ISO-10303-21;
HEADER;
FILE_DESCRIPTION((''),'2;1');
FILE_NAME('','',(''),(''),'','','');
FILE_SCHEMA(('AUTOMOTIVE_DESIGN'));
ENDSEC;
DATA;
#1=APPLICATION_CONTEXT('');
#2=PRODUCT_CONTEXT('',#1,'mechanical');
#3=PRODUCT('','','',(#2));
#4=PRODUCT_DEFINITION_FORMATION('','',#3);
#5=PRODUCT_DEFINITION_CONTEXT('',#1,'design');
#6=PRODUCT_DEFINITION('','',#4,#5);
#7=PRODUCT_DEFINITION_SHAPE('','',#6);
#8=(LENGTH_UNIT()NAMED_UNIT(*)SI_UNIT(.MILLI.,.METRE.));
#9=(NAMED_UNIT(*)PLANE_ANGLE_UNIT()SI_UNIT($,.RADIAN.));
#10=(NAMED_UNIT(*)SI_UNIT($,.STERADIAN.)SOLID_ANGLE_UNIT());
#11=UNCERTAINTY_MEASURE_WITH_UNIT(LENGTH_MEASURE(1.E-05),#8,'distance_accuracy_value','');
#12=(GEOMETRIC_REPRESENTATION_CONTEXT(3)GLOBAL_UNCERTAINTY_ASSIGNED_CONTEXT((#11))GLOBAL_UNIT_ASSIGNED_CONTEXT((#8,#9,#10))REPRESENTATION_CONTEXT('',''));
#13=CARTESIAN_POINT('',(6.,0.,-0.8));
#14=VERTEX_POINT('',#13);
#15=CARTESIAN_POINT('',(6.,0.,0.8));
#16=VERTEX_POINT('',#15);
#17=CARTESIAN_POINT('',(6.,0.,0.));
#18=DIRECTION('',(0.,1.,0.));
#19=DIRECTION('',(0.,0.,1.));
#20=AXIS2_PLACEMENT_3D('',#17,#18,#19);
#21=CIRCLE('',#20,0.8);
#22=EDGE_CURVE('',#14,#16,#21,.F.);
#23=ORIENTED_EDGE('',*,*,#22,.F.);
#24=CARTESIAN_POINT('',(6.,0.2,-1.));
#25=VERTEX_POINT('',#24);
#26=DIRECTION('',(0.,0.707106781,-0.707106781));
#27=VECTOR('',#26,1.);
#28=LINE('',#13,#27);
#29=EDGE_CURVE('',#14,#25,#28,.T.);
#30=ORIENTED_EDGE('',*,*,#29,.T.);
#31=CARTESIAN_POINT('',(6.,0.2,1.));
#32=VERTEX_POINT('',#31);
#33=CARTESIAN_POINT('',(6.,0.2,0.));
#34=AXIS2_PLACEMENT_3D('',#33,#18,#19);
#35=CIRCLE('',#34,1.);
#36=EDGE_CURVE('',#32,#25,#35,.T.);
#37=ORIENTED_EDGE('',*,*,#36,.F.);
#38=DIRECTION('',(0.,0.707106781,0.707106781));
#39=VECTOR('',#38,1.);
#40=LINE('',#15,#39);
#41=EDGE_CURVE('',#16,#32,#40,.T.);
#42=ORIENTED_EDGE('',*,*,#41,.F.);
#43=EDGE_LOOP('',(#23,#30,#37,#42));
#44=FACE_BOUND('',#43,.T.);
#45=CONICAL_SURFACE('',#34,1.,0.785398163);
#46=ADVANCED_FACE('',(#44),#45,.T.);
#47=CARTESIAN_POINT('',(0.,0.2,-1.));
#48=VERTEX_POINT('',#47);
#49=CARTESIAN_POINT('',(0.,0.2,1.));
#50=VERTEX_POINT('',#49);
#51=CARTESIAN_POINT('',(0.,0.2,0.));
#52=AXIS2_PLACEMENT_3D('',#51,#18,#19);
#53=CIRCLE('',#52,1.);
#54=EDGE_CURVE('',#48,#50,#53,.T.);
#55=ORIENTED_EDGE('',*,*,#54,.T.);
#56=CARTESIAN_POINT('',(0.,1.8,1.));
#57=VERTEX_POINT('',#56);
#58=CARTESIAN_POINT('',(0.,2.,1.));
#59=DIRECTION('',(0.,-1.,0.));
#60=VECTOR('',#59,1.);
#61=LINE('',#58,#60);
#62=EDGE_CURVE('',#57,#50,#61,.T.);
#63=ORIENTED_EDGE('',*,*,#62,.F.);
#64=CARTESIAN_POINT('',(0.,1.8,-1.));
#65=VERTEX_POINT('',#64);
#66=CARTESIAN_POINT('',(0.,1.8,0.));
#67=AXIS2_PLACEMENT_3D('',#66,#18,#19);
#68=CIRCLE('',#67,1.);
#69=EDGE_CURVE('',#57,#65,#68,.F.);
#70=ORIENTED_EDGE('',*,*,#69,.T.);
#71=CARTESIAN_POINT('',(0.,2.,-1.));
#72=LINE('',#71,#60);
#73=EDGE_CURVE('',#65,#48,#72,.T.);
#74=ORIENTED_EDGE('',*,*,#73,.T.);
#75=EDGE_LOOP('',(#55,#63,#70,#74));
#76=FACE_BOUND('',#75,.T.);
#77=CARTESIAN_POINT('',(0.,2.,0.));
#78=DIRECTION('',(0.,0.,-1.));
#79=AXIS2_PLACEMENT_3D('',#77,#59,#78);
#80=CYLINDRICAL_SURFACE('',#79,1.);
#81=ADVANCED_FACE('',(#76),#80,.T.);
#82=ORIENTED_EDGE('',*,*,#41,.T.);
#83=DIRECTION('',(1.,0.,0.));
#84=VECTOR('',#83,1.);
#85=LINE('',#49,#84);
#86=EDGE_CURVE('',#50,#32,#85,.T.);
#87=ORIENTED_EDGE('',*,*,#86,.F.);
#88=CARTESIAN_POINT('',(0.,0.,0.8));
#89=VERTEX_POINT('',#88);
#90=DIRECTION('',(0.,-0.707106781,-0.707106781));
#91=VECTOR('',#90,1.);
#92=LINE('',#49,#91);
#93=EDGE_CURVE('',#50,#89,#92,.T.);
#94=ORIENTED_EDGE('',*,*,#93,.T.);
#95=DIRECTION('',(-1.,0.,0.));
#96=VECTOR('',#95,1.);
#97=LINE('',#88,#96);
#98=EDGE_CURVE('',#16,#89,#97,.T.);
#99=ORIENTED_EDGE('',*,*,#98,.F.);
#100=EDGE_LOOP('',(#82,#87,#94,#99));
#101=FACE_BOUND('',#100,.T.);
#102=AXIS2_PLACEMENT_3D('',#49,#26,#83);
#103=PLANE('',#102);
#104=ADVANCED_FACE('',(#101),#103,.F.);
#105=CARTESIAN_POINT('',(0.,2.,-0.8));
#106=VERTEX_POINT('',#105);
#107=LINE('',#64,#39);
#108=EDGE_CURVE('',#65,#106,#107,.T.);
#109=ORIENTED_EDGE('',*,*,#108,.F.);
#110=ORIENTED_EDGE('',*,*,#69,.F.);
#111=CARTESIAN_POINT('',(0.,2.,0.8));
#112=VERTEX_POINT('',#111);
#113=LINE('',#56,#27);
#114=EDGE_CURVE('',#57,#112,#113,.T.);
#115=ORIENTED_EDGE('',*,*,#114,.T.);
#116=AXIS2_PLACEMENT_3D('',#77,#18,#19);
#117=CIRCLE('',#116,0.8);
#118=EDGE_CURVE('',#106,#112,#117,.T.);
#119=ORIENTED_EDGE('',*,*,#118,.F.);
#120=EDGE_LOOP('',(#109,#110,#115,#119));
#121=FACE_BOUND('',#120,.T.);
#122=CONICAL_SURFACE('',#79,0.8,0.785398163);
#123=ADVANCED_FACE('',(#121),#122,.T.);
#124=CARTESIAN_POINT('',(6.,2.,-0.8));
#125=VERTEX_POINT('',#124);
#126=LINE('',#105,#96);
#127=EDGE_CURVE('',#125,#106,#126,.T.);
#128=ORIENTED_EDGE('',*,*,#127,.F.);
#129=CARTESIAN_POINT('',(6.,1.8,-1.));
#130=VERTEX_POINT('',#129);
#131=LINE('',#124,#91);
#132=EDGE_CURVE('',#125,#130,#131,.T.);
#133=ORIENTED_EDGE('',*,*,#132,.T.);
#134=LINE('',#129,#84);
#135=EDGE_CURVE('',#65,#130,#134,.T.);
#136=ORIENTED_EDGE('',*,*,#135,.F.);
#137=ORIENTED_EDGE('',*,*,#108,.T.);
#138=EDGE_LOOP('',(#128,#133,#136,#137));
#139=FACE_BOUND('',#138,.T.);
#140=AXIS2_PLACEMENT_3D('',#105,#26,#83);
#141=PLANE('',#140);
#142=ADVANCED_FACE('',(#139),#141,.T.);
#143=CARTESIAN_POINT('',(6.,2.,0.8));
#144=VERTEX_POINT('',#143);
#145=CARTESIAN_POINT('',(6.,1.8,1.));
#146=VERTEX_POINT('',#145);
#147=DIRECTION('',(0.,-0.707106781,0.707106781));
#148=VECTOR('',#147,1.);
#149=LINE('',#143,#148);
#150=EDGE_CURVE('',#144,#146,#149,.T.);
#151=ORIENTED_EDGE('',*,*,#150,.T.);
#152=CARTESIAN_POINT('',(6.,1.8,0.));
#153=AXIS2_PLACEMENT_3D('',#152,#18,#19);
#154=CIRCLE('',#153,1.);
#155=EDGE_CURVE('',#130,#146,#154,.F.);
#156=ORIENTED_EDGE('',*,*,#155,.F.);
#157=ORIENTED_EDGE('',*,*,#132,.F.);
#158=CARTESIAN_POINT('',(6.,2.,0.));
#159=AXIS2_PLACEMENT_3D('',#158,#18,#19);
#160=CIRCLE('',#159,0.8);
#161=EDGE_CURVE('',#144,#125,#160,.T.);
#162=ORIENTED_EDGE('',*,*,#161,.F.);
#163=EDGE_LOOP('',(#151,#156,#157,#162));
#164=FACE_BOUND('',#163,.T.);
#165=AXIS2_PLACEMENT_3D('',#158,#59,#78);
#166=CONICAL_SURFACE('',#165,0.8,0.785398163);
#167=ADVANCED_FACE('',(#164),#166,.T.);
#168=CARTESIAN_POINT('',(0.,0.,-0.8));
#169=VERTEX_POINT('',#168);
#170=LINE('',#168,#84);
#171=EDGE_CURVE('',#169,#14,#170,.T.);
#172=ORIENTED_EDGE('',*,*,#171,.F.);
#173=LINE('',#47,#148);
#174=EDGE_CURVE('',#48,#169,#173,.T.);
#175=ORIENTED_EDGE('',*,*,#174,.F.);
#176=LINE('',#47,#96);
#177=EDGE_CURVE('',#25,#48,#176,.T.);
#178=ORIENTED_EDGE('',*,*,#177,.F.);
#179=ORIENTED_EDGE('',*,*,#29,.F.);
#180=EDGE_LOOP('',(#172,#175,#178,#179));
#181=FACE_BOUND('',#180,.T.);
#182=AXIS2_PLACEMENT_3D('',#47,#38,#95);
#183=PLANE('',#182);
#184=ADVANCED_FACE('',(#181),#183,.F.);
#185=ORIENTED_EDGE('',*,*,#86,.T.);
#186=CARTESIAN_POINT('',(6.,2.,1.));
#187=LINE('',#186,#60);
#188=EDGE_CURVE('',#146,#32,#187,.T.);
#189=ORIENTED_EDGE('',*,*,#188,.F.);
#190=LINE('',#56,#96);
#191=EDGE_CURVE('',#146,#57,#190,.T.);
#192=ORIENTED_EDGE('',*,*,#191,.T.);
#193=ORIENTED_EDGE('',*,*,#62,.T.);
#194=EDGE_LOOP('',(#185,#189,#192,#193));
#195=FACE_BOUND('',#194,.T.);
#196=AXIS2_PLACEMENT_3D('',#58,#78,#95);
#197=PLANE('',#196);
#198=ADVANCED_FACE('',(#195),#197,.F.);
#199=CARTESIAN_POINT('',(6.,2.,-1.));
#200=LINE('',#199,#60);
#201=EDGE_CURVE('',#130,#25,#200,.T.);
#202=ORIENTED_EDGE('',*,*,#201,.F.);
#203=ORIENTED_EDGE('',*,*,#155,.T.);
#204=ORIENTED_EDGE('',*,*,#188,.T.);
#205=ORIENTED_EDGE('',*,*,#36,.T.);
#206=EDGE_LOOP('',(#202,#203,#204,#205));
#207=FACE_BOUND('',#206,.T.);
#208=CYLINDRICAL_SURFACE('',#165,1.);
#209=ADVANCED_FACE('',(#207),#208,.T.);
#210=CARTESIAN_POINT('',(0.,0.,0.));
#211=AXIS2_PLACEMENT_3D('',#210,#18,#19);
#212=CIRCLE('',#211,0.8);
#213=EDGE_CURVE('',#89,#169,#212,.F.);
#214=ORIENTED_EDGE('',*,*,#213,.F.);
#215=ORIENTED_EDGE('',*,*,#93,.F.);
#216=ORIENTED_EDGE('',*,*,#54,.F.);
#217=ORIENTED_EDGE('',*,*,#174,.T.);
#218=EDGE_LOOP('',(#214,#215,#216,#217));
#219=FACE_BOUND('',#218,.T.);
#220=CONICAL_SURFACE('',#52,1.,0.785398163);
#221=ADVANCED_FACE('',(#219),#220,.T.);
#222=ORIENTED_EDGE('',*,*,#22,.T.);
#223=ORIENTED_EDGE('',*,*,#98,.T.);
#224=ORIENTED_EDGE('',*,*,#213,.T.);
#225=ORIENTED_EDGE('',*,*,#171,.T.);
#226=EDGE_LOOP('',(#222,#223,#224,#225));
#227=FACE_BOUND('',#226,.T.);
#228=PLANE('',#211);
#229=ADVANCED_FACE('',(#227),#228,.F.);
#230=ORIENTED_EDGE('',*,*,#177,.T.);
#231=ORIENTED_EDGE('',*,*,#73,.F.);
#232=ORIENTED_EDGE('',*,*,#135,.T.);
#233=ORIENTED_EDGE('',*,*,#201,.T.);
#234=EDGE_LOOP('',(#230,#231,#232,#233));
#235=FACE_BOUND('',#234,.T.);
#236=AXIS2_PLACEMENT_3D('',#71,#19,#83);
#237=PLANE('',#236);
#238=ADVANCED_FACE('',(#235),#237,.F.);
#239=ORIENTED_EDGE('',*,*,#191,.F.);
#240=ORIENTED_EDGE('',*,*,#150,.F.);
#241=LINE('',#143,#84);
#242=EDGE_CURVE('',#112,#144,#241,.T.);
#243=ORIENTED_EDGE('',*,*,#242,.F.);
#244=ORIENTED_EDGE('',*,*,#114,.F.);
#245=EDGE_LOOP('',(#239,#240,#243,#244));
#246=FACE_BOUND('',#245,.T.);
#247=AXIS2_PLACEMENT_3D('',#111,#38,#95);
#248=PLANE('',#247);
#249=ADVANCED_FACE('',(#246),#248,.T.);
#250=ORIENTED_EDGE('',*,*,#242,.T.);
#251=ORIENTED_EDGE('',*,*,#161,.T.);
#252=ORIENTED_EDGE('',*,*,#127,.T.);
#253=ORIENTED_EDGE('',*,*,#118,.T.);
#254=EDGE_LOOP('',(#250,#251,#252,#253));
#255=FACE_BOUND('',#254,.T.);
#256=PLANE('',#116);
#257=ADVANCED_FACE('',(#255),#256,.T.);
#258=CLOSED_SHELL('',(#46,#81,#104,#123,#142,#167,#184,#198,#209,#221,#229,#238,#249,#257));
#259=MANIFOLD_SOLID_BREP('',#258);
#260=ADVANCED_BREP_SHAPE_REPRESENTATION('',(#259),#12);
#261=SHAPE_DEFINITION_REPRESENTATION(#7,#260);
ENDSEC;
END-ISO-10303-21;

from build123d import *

# Parameters (mm, degrees)
BOSS_EXTRUDE1_DEPTH = 2
CHAMFER1_SIZE       = 0.2


with BuildPart() as part:
    # Sketch1 → Boss-Extrude1 (new body)
    with BuildSketch(Plane(origin=(0, 0, 0), x_dir=(1, 0, 0), z_dir=(0, 1, 0))):
        with BuildLine():
            Line((0, 1), (6, 1))
            ThreePointArc((6, 1), (7, 0), (6, -1))
            Line((6, -1), (0, -1))
            ThreePointArc((0, -1), (-1, 0), (0, 1))
        make_face()
    extrude(amount=BOSS_EXTRUDE1_DEPTH)

    # Chamfer1
    chamfer1_edges = [part.edges().sort_by_distance(p)[0] for p in [
        (7, 2, 0),
        (3, 2, -1),
        (-1, 2, 0),
        (3, 0, -1),
        (7, 0, 0),
        (3, 0, 1),
        (-1, 0, 0),
        (3, 2, 1),
    ]]
    chamfer(chamfer1_edges, length=CHAMFER1_SIZE)


solid = part.part
